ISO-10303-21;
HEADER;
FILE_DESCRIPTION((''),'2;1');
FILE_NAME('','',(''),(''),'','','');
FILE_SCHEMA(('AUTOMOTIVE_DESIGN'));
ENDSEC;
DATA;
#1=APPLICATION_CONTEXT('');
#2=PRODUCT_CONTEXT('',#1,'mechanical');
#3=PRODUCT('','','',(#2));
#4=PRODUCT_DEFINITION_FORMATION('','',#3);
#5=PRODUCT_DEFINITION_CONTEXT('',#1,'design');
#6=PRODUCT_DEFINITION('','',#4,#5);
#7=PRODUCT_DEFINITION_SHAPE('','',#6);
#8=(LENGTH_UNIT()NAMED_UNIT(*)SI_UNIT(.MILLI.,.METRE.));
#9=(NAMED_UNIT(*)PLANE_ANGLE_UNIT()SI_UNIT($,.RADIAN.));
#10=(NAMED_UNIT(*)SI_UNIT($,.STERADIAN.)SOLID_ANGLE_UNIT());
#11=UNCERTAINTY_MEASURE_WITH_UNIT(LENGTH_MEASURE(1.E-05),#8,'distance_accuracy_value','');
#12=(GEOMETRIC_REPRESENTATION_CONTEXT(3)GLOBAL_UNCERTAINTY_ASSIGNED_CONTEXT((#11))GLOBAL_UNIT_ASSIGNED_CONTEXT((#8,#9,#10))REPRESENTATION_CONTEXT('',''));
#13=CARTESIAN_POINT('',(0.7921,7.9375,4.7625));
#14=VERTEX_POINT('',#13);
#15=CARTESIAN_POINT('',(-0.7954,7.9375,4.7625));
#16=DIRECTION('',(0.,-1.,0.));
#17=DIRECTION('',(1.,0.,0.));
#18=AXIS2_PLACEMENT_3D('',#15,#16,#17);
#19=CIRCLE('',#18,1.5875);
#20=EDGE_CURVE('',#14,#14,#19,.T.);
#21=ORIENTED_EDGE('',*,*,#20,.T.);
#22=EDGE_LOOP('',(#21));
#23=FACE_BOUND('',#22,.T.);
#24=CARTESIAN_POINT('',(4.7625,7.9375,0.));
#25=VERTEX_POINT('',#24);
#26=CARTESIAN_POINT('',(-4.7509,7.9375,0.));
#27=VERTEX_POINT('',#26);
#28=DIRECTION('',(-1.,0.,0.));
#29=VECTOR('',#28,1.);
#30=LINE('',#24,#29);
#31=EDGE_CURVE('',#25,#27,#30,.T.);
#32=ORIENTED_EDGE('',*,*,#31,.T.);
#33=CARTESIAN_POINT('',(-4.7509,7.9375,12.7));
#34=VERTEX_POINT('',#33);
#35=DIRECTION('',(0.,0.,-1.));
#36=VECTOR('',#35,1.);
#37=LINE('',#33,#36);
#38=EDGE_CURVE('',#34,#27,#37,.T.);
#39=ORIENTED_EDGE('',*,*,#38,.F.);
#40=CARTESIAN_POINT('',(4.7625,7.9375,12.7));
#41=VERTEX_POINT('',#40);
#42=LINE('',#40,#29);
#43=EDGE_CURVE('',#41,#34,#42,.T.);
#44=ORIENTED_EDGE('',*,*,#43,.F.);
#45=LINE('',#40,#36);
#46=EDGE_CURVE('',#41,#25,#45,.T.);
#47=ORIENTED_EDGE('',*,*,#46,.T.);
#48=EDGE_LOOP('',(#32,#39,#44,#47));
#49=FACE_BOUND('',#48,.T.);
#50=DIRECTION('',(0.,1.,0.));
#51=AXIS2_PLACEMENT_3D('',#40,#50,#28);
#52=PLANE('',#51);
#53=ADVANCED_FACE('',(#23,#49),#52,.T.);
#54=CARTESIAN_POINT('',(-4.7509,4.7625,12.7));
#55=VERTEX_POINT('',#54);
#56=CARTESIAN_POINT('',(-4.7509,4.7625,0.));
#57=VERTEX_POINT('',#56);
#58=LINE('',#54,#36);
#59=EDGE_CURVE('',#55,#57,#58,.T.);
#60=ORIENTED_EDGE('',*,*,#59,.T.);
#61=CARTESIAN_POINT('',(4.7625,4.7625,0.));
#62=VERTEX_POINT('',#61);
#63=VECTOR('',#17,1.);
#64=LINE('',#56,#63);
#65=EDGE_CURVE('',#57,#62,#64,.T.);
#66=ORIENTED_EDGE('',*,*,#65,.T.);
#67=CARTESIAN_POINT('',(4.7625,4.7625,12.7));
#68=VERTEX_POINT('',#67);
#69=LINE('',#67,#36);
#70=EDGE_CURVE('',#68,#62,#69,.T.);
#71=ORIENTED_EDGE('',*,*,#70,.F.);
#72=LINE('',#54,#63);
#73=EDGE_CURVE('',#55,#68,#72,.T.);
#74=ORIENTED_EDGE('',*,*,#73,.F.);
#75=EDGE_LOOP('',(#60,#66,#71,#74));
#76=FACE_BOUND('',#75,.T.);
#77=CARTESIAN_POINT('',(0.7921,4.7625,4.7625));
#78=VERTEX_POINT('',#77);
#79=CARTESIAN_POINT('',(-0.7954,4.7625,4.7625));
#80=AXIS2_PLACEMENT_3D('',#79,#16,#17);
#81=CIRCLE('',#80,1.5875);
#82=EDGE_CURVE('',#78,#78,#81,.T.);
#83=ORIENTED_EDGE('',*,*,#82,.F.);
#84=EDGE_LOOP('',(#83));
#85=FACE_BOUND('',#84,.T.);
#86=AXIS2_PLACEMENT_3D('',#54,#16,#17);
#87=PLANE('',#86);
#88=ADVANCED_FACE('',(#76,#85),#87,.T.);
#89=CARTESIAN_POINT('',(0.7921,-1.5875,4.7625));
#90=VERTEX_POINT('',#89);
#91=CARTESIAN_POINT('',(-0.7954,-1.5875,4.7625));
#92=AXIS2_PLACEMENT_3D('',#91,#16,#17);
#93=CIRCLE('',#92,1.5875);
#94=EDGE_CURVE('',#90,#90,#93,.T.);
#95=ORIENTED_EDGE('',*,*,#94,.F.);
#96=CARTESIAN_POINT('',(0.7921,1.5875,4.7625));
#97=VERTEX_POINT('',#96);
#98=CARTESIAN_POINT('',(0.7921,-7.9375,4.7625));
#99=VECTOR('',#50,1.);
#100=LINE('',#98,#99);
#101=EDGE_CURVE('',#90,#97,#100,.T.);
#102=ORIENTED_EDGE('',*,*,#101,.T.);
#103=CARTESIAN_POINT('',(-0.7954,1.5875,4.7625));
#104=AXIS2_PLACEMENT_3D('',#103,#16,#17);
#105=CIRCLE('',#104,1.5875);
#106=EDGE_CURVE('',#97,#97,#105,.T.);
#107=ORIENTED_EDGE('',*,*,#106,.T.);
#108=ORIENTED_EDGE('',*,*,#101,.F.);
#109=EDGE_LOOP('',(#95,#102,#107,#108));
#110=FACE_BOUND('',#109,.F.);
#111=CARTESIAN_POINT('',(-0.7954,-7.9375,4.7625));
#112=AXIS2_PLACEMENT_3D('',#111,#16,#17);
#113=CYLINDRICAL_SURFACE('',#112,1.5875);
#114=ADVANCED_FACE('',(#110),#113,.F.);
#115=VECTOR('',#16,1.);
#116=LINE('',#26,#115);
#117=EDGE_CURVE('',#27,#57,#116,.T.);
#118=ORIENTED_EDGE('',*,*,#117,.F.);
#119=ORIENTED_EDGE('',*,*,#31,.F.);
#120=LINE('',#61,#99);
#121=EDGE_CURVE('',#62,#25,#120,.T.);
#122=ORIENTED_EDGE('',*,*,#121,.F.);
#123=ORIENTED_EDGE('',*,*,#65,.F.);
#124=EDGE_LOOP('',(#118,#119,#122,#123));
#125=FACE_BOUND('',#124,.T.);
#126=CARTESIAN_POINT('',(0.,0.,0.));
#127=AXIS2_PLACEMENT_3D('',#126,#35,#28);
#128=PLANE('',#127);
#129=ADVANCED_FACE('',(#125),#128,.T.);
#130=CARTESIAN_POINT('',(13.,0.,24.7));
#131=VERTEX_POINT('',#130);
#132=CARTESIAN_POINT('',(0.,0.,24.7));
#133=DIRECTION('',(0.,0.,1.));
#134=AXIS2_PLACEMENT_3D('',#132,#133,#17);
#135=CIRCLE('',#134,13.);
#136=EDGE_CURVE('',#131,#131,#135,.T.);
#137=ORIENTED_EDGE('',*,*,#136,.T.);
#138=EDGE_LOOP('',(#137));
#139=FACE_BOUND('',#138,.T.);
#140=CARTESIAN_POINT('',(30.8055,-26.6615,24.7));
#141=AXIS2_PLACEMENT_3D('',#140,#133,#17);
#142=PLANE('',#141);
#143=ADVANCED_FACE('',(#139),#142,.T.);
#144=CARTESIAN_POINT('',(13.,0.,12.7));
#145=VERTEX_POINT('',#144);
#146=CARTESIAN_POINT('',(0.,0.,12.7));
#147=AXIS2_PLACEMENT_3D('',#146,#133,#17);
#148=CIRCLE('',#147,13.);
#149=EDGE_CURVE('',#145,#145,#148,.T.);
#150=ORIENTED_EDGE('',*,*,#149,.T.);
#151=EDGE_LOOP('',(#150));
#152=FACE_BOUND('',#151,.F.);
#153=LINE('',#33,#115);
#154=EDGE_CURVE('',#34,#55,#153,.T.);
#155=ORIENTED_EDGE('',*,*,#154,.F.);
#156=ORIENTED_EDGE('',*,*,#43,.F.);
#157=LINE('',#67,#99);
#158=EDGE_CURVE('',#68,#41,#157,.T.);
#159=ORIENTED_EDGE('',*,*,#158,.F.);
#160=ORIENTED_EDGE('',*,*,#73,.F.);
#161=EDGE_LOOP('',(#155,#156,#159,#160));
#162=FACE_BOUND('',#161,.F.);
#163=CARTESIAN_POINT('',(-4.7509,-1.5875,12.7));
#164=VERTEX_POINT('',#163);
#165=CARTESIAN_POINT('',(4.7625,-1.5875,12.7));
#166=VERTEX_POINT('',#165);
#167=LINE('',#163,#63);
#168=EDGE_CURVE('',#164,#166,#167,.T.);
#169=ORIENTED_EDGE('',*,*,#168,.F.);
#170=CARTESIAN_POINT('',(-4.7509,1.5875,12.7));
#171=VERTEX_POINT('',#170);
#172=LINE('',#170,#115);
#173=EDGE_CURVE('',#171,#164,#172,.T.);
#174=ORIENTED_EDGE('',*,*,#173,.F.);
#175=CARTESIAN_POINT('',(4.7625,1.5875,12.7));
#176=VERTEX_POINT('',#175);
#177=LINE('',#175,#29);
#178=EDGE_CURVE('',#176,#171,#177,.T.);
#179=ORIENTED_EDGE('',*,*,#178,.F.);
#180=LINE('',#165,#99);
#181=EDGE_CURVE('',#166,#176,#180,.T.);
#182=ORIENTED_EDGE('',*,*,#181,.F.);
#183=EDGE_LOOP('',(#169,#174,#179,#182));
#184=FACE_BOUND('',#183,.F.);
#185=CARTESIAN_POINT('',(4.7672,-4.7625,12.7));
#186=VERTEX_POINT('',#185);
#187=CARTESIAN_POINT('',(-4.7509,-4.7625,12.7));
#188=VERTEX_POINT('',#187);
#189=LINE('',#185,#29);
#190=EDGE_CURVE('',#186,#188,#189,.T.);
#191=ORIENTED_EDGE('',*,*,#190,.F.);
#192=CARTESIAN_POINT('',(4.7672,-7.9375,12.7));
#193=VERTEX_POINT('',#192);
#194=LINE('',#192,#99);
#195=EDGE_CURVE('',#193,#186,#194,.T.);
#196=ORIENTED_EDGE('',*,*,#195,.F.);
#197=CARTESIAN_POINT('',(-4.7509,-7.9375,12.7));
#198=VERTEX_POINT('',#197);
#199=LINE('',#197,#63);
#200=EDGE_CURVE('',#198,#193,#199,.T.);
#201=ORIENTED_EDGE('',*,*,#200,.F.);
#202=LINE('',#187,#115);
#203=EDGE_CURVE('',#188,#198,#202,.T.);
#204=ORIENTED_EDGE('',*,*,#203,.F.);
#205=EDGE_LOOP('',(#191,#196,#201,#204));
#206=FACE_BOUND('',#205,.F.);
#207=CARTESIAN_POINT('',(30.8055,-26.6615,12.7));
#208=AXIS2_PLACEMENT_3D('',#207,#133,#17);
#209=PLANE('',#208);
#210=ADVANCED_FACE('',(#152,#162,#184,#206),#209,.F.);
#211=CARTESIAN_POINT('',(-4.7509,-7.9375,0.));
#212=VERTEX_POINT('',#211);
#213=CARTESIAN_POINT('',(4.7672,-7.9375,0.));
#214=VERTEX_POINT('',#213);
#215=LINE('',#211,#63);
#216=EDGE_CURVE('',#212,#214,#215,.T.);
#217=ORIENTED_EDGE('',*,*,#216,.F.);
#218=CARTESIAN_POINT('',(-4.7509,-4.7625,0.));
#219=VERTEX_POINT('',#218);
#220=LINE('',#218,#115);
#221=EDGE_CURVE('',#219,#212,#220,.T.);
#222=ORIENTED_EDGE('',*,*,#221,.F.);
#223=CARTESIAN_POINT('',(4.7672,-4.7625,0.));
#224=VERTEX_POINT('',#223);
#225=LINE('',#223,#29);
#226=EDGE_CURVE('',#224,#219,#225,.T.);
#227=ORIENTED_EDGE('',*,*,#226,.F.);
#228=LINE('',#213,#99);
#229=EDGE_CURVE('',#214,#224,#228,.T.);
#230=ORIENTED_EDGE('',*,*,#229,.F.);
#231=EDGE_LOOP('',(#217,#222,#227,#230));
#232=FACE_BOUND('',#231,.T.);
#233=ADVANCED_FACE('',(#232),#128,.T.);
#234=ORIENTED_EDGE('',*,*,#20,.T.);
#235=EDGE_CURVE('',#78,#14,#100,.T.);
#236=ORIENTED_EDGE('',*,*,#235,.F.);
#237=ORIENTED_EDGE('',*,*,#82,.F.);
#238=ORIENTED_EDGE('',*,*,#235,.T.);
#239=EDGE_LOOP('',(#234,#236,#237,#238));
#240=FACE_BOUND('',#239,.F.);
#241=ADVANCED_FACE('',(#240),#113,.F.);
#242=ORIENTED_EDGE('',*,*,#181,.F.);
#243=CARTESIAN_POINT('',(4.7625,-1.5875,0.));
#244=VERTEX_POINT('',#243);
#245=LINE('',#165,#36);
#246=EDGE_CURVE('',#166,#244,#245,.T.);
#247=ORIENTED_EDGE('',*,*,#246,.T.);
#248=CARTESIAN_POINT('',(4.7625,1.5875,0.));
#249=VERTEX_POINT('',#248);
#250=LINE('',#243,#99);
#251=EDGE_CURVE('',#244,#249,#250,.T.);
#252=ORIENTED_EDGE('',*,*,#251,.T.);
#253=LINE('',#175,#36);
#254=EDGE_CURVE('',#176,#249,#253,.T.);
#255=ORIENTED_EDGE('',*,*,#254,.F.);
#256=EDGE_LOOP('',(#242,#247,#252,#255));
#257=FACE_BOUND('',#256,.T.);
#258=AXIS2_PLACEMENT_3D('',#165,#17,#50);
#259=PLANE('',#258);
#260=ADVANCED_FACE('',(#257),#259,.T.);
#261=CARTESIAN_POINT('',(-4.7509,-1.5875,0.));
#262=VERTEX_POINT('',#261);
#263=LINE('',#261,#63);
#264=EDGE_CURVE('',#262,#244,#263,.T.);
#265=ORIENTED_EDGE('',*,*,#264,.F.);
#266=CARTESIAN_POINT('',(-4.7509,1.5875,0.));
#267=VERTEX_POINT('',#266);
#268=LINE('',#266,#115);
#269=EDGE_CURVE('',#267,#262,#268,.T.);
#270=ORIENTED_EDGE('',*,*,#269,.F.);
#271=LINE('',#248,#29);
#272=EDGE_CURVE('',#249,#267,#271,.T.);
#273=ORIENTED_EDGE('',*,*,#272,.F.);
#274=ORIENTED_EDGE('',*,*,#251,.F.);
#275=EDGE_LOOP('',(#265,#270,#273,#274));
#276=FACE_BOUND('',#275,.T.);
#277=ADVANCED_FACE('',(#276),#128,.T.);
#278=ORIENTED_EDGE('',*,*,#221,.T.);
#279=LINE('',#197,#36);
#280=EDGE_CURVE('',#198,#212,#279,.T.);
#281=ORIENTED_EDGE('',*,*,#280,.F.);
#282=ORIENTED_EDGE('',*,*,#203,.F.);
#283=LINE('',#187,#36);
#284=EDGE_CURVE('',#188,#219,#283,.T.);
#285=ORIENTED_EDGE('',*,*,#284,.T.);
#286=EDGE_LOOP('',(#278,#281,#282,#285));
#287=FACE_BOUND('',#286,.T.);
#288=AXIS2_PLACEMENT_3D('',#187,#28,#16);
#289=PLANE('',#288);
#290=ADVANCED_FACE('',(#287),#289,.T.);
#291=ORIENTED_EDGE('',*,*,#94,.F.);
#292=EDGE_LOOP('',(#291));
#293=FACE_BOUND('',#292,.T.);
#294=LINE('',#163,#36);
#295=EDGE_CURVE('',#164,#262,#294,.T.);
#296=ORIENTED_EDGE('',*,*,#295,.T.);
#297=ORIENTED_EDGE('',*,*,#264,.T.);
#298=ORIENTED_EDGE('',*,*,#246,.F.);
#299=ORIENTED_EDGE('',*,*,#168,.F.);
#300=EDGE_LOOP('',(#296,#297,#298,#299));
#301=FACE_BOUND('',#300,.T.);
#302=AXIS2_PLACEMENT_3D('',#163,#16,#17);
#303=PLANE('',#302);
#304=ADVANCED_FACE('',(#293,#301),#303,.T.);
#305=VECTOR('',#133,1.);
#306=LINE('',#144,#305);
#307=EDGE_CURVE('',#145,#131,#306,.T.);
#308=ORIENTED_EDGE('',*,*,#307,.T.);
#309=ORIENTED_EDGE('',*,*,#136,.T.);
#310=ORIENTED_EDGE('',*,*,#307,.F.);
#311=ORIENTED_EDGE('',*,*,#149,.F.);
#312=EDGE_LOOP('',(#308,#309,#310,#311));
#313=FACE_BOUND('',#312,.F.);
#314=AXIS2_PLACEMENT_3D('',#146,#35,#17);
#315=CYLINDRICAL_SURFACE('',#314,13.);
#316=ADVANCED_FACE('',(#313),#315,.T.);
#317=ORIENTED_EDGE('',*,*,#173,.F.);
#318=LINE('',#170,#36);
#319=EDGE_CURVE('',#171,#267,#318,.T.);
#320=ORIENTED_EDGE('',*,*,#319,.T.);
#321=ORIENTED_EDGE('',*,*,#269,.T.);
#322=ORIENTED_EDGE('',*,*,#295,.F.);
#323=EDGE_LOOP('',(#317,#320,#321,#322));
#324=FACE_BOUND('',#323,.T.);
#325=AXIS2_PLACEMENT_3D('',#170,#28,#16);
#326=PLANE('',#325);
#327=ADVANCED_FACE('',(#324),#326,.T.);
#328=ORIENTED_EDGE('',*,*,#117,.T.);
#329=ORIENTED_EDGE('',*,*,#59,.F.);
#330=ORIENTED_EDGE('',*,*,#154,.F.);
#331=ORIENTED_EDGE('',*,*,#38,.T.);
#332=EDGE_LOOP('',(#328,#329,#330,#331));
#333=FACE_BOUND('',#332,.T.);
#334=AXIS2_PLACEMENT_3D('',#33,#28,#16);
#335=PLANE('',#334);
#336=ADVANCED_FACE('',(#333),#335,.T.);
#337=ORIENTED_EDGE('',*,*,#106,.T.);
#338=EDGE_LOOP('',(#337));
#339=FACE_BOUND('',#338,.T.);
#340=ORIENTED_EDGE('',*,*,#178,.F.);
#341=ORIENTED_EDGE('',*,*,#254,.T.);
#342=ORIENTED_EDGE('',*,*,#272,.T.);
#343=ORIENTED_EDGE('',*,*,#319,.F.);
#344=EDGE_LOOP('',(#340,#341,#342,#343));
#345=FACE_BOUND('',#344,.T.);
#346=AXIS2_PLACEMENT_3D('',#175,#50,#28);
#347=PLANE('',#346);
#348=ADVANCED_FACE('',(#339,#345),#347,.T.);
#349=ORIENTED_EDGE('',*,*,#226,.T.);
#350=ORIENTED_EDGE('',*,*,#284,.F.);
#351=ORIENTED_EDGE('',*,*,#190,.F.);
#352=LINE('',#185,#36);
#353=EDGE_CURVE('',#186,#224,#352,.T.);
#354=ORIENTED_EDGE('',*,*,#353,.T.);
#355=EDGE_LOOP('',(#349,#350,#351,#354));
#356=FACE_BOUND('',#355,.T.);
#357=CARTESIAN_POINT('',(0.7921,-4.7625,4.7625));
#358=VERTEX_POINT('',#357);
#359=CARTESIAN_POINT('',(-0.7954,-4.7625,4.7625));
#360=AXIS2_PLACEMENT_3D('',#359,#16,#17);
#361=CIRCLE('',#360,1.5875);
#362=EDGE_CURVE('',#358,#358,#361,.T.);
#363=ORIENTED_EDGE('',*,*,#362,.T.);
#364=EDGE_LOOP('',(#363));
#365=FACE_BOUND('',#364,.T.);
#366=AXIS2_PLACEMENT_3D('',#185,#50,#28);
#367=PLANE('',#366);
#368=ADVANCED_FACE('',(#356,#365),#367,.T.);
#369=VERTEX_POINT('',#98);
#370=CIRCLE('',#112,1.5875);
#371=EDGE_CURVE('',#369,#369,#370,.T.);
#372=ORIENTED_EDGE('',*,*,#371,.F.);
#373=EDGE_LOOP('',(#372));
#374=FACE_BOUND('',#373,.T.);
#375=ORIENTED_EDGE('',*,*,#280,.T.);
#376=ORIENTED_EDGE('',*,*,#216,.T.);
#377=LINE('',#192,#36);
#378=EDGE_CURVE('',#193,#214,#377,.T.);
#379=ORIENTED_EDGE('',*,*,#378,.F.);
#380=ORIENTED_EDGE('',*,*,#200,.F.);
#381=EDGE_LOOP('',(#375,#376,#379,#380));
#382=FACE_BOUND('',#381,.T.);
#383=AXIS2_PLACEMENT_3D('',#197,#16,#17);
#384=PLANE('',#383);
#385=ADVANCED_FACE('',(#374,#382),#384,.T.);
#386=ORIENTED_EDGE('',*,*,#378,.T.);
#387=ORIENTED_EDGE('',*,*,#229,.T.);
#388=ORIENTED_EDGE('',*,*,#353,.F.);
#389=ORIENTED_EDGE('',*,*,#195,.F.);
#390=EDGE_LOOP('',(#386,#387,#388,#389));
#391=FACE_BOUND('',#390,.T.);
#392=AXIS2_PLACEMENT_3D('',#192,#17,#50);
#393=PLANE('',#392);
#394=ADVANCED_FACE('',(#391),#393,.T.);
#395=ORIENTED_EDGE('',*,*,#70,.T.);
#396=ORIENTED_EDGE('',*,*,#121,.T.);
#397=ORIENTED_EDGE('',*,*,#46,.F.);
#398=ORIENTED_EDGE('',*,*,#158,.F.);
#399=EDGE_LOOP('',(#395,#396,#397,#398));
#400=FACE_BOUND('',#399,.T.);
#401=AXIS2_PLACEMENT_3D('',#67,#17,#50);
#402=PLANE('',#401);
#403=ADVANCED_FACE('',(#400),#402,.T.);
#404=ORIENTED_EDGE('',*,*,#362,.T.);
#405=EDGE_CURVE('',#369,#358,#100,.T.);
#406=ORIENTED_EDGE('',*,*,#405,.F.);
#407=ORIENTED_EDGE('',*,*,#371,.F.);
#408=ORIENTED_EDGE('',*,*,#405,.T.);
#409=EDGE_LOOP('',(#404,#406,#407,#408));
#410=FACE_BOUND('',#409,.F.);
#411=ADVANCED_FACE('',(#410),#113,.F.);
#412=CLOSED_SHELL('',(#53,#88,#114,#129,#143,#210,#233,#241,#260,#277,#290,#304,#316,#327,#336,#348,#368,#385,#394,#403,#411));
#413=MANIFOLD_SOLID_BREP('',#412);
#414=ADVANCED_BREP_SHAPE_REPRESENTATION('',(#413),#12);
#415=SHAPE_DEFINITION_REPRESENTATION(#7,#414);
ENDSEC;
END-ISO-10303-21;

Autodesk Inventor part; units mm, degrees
ref_plane "YZ Plane" through (0, 0, 0) normal (1, 0, 0) x (0, 1, 0)
ref_plane "XZ Plane" through (0, 0, 0) normal (0, 1, 0) x (-1, 0, 0)
ref_plane "XY Plane" through (0, 0, 0) normal (0, 0, 1) x (1, 0, 0)
ref_plane "Work Plane2" through (30.8055, -26.6615, 12.7) normal (0, 0, 1) x (1, 0, 0)
sketch "Sketch2" plane through (30.8055, -26.6615, 12.7) normal (0, 0, 1) x (1, 0, 0)
  circle A0 centre (-30.8055, 26.6615) radius 13
  dimension "d0" = 26
extrude "Extrusion1" add sketch "Sketch2" along normal blind 12
sketch "Sketch5" plane through (0, 0, 12.7) normal (0, 0, -1) x (-1, 0, 0)
  line L0 (-4.7625, 7.9375) -> (4.7509, 7.9375)
  line L1 (4.7509, 7.9375) -> (4.7509, 4.7625)
  line L2 (4.7509, 4.7625) -> (-4.7625, 4.7625)
  line L3 (-4.7625, 4.7625) -> (-4.7625, 7.9375)
  line L4 (-4.7625, 1.5875) -> (4.7509, 1.5875)
  line L5 (4.7509, 1.5875) -> (4.7509, -1.5875)
  line L6 (4.7509, -1.5875) -> (-4.7625, -1.5875)
  line L7 (-4.7625, -1.5875) -> (-4.7625, 1.5875)
  line L8 (-4.7672, -4.7625) -> (4.7509, -4.7625)
  line L9 (4.7509, -4.7625) -> (4.7509, -7.9375)
  line L10 (4.7509, -7.9375) -> (-4.7672, -7.9375)
  line L11 (-4.7672, -7.9375) -> (-4.7672, -4.7625)
  point P0 (0, 0)
extrude "Extrusion4" add sketch "Sketch5" along normal blind 12.7
sketch "Sketch8" plane through (-4.7509, -7.9375, 12.7) normal (0, -1, 0) x (1, 0, 0)
  circle A0 centre (3.9555, -7.9375) radius 1.5875
  line L0 (9.5181, 0) -> (9.5181, -12.7) projected
  point P0 (4.7509, -12.7)
  dimension "d17" = 5.5626
extrude "Extrusion7" cut sketch "Sketch8" against normal blind 25.4
properties part number "Swing_Joint"
